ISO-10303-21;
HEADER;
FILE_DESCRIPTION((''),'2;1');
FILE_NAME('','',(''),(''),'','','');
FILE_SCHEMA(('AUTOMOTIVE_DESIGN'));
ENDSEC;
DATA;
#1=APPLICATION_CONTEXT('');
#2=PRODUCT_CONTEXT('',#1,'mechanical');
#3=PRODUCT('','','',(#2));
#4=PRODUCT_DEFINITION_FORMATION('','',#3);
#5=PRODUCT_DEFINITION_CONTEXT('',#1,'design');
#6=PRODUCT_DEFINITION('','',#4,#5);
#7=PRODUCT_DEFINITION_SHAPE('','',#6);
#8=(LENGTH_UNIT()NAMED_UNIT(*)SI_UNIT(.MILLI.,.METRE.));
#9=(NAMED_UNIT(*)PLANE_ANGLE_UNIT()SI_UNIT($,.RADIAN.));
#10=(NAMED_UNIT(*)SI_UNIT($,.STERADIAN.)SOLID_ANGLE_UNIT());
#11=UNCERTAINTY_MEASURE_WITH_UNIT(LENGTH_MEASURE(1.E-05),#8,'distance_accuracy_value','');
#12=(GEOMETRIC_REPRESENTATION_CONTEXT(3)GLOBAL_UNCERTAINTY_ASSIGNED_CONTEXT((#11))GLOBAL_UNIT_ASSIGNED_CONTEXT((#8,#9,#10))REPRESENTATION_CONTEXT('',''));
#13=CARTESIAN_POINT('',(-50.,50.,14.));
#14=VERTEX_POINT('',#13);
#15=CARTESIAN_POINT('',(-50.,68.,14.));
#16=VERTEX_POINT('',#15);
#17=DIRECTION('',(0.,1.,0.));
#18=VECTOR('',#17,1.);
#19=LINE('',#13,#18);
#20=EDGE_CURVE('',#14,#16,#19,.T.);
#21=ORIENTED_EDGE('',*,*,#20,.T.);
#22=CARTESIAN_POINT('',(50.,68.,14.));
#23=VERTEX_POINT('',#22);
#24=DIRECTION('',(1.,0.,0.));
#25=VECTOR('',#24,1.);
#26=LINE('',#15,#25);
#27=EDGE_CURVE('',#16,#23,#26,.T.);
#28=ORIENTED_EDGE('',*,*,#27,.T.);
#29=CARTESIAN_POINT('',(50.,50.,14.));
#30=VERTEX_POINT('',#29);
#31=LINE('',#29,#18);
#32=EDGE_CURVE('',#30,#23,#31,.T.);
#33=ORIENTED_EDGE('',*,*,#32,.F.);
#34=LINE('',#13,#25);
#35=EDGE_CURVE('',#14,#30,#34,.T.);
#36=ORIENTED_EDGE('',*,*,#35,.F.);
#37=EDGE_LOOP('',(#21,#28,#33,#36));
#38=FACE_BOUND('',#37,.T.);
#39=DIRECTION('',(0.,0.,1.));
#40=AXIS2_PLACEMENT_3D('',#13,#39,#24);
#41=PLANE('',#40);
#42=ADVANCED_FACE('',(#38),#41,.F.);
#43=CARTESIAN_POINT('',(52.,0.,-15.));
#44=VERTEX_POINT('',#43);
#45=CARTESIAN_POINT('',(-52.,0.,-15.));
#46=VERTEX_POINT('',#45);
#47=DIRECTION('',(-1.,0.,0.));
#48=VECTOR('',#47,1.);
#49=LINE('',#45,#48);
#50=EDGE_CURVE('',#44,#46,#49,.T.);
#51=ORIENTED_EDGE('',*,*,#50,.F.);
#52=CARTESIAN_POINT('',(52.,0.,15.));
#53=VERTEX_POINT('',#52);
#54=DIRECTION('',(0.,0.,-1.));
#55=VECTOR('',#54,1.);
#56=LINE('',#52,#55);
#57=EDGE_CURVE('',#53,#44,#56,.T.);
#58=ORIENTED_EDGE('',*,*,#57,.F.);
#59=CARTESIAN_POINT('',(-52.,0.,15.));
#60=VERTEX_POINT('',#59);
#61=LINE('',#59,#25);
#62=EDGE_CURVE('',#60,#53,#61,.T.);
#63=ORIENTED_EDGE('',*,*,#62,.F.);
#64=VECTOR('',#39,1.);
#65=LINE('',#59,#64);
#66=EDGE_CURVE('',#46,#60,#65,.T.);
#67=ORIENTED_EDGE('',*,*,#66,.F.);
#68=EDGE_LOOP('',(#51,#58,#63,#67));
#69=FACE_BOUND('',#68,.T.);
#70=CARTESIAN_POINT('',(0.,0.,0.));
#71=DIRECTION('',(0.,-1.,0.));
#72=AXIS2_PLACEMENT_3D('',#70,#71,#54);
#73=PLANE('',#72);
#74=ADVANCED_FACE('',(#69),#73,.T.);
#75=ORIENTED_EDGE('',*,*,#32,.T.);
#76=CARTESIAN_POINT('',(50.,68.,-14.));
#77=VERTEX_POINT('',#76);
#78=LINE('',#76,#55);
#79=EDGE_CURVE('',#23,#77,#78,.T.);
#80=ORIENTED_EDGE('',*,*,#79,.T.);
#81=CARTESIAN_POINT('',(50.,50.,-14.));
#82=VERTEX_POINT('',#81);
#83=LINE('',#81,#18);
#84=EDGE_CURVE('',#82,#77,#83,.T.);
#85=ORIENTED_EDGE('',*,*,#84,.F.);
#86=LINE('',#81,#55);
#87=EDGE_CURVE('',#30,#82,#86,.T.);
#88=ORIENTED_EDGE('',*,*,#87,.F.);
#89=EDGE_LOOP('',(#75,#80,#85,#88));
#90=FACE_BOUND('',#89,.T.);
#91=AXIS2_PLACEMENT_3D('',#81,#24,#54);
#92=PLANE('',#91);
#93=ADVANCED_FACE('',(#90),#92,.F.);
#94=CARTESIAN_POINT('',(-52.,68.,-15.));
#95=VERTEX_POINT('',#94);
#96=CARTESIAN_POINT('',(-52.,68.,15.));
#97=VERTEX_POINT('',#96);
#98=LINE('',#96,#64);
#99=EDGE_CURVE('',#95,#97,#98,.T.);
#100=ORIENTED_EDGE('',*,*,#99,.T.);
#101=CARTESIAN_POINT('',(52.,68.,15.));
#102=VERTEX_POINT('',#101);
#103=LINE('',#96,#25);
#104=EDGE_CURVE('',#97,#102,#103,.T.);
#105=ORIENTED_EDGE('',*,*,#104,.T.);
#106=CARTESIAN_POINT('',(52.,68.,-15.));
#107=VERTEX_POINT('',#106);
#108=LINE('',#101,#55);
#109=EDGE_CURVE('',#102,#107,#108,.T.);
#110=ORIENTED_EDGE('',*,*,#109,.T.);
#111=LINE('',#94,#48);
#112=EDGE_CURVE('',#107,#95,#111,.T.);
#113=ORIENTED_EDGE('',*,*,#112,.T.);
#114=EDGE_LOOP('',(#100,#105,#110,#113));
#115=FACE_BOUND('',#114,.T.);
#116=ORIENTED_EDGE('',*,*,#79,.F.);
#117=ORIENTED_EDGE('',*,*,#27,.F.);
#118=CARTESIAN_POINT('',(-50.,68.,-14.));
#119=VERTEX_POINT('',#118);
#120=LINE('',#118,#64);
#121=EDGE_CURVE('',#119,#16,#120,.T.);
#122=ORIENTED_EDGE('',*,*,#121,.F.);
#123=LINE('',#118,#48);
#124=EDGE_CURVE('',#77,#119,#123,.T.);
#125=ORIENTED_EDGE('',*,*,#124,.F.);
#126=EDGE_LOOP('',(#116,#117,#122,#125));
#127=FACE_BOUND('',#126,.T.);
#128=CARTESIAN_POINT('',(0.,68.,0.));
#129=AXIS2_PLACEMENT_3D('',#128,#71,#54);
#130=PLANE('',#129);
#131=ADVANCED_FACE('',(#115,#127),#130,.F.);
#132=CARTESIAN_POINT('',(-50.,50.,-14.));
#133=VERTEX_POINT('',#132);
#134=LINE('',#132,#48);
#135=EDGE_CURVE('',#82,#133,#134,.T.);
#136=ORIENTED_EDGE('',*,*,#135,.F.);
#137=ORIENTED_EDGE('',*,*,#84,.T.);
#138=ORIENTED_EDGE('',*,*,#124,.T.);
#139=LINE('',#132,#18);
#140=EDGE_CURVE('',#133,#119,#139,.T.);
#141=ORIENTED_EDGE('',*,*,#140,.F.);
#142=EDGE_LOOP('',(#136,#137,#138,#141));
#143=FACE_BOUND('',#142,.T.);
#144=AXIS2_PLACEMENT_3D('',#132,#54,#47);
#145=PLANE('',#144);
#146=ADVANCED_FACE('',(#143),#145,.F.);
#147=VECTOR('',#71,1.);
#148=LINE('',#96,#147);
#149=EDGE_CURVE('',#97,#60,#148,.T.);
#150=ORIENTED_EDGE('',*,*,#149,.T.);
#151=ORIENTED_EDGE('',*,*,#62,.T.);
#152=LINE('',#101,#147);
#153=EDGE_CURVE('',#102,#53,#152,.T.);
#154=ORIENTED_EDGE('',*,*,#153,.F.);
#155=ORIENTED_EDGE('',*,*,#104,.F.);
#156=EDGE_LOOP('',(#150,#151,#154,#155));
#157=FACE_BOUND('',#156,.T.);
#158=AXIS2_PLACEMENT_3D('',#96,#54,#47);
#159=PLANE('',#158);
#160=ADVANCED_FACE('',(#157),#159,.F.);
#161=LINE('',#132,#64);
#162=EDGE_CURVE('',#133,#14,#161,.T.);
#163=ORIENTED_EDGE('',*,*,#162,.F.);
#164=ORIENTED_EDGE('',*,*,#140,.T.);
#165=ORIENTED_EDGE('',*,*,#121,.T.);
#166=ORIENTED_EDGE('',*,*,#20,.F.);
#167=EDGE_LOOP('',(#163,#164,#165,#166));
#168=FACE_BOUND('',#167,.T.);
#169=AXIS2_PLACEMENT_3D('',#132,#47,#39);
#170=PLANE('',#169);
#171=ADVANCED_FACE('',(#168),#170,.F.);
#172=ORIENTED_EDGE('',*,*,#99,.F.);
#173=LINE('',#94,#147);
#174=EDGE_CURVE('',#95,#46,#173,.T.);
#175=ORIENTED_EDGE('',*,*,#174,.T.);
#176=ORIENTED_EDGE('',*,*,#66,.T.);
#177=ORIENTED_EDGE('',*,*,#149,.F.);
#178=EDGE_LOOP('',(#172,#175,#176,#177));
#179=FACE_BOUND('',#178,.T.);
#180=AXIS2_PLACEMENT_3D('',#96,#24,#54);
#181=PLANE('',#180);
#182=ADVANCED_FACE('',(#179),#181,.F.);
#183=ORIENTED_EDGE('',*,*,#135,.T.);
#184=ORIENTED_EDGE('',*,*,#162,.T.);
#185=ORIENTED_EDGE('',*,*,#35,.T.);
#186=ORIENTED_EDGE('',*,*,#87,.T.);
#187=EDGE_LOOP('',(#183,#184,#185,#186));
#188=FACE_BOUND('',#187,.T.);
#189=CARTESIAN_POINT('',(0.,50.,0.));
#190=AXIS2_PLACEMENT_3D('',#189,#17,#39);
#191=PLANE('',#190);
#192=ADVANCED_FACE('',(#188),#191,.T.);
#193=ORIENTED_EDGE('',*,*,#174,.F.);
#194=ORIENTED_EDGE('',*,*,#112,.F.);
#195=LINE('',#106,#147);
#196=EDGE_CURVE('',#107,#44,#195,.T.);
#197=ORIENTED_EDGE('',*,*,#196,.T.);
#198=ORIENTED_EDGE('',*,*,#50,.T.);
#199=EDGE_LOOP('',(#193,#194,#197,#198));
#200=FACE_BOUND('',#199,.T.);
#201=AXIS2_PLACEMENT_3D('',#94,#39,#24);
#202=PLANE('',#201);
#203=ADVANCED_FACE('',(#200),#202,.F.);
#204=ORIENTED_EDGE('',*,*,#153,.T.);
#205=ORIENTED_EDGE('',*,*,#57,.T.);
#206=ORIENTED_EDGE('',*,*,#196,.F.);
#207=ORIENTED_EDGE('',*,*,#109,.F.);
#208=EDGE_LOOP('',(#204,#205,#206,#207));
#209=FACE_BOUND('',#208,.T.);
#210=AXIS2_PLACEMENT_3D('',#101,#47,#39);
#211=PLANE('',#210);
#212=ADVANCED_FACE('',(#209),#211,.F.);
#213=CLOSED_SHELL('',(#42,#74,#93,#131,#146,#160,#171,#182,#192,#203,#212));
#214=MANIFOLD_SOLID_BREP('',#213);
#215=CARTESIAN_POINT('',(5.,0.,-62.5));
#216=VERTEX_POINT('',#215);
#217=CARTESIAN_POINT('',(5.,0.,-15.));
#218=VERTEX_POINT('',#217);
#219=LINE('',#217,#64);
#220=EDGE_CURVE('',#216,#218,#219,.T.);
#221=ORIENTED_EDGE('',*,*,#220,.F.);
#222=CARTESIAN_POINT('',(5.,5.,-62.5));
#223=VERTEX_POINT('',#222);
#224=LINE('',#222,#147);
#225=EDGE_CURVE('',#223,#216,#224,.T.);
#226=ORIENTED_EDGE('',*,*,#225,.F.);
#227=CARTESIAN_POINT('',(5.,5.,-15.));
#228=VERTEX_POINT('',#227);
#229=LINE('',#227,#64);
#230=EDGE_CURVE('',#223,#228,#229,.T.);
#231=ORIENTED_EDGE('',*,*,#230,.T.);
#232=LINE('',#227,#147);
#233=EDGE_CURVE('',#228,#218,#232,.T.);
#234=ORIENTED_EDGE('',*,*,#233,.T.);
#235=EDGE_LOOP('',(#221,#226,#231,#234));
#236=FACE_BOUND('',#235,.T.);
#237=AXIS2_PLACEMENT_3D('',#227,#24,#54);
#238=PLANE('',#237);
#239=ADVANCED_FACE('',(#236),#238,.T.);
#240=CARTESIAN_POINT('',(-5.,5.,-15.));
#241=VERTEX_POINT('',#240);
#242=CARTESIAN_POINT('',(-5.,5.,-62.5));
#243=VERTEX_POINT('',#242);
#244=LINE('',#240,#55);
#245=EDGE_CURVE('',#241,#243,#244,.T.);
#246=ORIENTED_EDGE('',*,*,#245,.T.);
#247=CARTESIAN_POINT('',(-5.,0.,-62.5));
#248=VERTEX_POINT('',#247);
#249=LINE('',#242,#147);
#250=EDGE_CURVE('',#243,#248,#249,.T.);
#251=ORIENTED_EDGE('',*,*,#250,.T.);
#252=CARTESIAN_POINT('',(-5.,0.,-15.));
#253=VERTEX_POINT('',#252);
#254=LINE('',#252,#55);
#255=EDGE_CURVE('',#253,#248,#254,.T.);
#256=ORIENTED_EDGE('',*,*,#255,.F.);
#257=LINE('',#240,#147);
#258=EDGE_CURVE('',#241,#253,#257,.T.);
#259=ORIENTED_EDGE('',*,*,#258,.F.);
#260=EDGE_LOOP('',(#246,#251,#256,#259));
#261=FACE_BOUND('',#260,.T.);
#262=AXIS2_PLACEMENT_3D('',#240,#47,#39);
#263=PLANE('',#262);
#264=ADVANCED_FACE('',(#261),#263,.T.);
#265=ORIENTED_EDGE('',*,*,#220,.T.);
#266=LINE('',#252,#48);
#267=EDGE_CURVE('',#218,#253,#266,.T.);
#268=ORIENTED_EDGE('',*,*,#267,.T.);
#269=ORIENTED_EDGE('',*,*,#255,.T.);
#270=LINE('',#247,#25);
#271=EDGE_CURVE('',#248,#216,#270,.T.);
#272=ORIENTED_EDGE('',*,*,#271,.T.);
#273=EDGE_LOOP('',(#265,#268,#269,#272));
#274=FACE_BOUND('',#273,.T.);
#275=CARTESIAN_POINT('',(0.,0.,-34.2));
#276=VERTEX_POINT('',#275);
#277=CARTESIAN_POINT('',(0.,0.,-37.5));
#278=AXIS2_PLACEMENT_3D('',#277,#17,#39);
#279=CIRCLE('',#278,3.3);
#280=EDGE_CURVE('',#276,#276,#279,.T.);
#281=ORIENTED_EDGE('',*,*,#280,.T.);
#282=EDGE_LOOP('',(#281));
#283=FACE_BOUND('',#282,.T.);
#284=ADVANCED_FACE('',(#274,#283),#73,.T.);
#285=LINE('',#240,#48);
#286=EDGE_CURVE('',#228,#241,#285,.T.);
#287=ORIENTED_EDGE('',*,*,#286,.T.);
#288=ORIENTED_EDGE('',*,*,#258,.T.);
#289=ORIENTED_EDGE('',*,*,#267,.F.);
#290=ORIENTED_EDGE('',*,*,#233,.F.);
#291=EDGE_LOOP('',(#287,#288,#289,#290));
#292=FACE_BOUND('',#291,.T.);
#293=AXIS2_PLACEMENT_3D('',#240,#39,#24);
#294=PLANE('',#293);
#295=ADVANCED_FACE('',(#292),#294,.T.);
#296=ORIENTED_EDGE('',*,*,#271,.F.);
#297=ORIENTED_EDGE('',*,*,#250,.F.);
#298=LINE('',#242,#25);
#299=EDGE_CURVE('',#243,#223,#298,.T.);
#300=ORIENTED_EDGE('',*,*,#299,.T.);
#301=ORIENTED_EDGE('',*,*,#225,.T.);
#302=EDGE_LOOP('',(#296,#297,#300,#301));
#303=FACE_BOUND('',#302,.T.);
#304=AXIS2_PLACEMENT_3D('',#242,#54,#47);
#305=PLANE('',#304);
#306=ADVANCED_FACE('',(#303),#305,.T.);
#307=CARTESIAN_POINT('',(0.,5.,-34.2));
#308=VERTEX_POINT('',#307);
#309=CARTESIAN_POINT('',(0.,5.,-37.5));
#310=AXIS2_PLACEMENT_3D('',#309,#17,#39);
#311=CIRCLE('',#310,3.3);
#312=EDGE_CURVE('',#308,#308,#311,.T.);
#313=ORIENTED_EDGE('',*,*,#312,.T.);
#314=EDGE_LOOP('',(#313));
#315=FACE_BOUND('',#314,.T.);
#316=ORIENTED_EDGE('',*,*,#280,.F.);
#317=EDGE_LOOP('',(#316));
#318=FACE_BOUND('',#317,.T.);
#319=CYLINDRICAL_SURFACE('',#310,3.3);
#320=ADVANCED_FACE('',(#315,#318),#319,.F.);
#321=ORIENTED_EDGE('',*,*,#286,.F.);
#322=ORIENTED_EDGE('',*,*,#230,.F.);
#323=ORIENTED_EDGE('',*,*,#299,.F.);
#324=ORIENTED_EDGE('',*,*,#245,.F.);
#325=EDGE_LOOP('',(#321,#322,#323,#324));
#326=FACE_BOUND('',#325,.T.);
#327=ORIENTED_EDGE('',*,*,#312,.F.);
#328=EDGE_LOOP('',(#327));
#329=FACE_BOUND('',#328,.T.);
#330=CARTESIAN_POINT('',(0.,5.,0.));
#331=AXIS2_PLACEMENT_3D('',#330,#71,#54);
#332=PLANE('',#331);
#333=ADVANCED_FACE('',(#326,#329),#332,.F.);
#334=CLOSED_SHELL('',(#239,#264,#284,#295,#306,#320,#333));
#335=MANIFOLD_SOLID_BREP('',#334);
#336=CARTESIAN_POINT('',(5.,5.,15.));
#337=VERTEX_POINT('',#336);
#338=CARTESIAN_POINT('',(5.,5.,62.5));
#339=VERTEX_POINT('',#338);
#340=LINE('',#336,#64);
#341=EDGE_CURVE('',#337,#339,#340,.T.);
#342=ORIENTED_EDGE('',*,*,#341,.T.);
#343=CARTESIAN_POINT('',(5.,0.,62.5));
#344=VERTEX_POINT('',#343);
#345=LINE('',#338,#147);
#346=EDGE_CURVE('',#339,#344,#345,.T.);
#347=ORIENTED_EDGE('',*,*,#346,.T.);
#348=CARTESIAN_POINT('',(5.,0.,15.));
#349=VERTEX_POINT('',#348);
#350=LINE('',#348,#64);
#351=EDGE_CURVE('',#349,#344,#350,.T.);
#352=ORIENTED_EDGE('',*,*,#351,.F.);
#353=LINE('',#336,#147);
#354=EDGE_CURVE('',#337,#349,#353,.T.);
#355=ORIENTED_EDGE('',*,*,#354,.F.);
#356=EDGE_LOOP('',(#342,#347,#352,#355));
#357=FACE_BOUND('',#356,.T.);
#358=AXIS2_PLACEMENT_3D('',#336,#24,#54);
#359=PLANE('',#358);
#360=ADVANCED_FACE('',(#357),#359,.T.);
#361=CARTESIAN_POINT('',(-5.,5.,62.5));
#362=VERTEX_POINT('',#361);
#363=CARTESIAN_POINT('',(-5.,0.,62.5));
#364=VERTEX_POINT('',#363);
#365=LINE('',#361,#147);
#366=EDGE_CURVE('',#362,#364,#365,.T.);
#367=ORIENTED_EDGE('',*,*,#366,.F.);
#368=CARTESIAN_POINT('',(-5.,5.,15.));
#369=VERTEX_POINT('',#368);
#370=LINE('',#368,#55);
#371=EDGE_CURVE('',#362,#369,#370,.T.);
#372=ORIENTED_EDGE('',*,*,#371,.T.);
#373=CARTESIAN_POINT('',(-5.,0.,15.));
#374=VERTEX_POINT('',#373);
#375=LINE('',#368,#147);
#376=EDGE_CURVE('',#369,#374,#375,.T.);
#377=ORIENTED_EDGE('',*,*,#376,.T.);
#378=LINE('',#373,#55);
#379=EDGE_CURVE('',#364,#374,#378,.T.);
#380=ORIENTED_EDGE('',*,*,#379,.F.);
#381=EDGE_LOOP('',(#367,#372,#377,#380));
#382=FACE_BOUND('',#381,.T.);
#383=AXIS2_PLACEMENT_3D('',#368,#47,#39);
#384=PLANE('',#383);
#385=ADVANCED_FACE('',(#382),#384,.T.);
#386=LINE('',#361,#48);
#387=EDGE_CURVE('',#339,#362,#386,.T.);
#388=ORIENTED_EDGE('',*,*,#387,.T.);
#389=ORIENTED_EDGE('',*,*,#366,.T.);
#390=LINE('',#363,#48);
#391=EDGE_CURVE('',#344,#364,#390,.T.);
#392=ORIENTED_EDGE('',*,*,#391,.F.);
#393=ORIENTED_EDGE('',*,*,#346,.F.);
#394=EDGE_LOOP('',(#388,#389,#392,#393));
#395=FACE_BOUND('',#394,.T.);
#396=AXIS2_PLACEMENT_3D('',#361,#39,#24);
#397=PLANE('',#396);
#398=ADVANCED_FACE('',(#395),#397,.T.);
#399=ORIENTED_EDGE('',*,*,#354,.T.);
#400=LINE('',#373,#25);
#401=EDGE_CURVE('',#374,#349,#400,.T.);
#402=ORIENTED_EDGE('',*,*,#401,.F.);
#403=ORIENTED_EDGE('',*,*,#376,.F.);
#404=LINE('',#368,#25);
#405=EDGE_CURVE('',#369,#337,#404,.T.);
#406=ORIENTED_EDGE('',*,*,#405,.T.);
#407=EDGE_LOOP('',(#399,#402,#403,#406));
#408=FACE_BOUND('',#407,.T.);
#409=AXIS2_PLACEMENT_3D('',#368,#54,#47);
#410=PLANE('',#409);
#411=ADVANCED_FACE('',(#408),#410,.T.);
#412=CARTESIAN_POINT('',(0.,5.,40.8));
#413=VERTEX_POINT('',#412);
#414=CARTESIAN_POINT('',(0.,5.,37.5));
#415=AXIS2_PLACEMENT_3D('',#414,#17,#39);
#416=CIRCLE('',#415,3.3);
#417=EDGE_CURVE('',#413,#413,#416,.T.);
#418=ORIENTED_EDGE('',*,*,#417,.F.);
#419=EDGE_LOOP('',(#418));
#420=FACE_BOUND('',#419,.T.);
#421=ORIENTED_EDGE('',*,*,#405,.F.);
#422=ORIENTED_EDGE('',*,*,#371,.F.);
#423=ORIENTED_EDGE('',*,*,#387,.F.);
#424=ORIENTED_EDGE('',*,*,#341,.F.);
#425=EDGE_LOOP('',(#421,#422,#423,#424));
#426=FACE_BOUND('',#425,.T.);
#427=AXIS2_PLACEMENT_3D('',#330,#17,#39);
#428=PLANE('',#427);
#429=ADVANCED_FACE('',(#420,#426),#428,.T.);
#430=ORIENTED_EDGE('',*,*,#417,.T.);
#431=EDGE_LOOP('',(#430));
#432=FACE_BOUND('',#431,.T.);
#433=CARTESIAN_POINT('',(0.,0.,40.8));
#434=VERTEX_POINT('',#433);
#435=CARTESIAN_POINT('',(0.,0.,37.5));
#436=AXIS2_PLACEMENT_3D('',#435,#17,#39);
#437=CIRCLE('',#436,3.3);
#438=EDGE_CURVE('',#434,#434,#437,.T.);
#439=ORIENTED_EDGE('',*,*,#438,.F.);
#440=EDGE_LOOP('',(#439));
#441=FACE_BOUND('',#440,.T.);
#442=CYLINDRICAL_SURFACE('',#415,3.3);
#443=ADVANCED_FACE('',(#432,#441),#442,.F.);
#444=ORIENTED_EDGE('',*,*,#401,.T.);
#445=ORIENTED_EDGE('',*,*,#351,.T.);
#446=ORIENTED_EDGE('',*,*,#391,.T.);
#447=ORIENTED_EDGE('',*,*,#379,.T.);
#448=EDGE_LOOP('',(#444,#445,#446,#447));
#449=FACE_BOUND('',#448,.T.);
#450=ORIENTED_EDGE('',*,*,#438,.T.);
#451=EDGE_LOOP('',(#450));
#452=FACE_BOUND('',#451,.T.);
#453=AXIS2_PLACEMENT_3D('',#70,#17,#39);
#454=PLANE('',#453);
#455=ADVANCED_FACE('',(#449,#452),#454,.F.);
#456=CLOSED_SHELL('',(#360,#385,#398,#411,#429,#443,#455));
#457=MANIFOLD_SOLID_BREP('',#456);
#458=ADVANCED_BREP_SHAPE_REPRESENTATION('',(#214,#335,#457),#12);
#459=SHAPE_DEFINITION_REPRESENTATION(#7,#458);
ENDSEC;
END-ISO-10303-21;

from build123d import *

# Parameters (mm, degrees)
SKETCH2_W           = 104
SKETCH2_H           = 30
BOSS_EXTRUDE1_DEPTH = 68
SKETCH3_W           = 100
SKETCH3_H           = 28
CUT_EXTRUDE1_DEPTH  = 18
SKETCH4_W           = 10
SKETCH4_H           = 47.5
BOSS_EXTRUDE3_DEPTH = 5
SKETCH7_W           = 3.3
SKETCH7_H           = 5
SKETCH13_W          = 10
SKETCH13_H          = 47.5
BOSS_EXTRUDE4_DEPTH = 5
SKETCH14_W          = 3.3
SKETCH14_H          = 5


with BuildPart() as part:
    # Sketch2 → Boss-Extrude1 (new body)
    with BuildSketch(Plane(origin=(0, 0, 0), x_dir=(1, 0, 0), z_dir=(0, 1, 0))):
        Rectangle(SKETCH2_W, SKETCH2_H)
    extrude(amount=BOSS_EXTRUDE1_DEPTH)

    # Sketch3 → Cut-Extrude1 (cut)
    with BuildSketch(Plane(origin=(0, 68, 0), x_dir=(1, 0, 0), z_dir=(0, 1, 0))):
        Rectangle(SKETCH3_W, SKETCH3_H)
    extrude(amount=-CUT_EXTRUDE1_DEPTH, mode=Mode.SUBTRACT)


with BuildPart() as body_2:
    # Sketch4 → Boss-Extrude3 (new body)
    with BuildSketch(Plane(origin=(0, 0, 0), x_dir=(-1, 0, 0), z_dir=(0, -1, 0))):
        with Locations((0, -38.75)):
            Rectangle(SKETCH4_W, SKETCH4_H)
    extrude(amount=-BOSS_EXTRUDE3_DEPTH)

    # Sketch7 → M6 Clearance Hole1 (revolve, cut)
    with BuildSketch(Plane(origin=(0, 5, 37.5), x_dir=(0, 0, 1), z_dir=(1, 0, 0))):
        with Locations((1.65, 2.5)):
            Rectangle(SKETCH7_W, SKETCH7_H)
    revolve(axis=Axis((0, 11.35, 37.5), (0, -1, 0)), mode=Mode.SUBTRACT)


with BuildPart() as body_3:
    # Sketch13 → Boss-Extrude4 (new body)
    with BuildSketch(Plane(origin=(0, 0, 0), x_dir=(-1, 0, 0), z_dir=(0, -1, 0))):
        with Locations((0, 38.75)):
            Rectangle(SKETCH13_W, SKETCH13_H)
    extrude(amount=-BOSS_EXTRUDE4_DEPTH)

    # Sketch14 → M6 Clearance Hole2 (revolve, cut)
    with BuildSketch(Plane(origin=(0, 5, -37.5), x_dir=(0, 0, 1), z_dir=(1, 0, 0))):
        with Locations((1.65, 2.5)):
            Rectangle(SKETCH14_W, SKETCH14_H)
    revolve(axis=Axis((0, 11.35, -37.5), (0, -1, 0)), mode=Mode.SUBTRACT)


solid = Compound([part.part, body_2.part, body_3.part])
